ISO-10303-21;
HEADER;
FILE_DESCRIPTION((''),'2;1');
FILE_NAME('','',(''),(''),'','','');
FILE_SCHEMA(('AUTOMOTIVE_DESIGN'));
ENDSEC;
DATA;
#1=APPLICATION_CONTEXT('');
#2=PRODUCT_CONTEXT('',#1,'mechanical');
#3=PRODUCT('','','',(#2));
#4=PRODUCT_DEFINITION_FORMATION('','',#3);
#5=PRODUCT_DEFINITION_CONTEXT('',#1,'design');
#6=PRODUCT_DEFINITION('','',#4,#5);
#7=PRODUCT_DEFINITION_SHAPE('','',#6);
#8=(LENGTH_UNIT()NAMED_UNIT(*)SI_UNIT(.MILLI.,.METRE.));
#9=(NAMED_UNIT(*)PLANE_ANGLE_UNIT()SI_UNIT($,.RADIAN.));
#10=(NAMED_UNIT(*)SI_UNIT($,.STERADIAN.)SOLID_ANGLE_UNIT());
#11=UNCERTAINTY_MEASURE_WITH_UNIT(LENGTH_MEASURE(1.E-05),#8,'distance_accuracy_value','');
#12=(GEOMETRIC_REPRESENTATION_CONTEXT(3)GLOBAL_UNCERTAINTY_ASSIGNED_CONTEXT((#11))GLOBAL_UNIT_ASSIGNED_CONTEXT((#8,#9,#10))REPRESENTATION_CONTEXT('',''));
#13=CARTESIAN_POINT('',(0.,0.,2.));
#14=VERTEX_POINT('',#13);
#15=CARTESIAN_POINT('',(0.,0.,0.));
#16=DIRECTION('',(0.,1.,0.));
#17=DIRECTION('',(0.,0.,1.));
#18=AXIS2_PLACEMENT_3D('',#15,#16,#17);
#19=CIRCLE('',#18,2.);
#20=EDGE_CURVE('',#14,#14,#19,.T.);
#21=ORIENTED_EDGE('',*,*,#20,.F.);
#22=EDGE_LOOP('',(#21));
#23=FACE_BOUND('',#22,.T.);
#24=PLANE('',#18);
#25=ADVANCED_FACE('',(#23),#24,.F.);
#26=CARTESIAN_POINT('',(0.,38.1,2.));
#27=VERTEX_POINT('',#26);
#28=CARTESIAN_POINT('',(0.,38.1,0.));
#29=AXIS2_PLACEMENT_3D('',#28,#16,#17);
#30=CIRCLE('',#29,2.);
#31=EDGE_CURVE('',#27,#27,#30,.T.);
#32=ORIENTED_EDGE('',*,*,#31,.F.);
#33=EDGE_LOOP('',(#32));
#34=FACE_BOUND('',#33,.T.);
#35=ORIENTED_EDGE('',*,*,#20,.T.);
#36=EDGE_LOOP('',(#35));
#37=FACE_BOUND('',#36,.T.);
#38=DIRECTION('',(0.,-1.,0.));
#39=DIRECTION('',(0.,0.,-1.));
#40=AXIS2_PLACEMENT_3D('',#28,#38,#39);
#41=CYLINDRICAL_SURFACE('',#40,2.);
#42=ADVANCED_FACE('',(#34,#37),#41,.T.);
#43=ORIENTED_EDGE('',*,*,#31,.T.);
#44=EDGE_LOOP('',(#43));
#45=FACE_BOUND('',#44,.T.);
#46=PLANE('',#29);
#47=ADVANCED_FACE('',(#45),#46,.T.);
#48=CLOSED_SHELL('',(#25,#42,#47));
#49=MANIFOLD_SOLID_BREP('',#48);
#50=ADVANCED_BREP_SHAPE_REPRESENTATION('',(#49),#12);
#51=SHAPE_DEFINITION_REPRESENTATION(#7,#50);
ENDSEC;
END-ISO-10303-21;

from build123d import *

# Parameters (mm, degrees)
SKETCH1_R           = 2
BOSS_EXTRUDE1_DEPTH = 38.1


with BuildPart() as part:
    # Sketch1 → Boss-Extrude1 (new body)
    with BuildSketch(Plane(origin=(0, 0, 0), x_dir=(1, 0, 0), z_dir=(0, 1, 0))):
        with Locations(Location((0, 0, 0), (0, 0, 270))):  # turned: the seam where the file's is
            Circle(SKETCH1_R)
    extrude(amount=BOSS_EXTRUDE1_DEPTH)


solid = part.part
